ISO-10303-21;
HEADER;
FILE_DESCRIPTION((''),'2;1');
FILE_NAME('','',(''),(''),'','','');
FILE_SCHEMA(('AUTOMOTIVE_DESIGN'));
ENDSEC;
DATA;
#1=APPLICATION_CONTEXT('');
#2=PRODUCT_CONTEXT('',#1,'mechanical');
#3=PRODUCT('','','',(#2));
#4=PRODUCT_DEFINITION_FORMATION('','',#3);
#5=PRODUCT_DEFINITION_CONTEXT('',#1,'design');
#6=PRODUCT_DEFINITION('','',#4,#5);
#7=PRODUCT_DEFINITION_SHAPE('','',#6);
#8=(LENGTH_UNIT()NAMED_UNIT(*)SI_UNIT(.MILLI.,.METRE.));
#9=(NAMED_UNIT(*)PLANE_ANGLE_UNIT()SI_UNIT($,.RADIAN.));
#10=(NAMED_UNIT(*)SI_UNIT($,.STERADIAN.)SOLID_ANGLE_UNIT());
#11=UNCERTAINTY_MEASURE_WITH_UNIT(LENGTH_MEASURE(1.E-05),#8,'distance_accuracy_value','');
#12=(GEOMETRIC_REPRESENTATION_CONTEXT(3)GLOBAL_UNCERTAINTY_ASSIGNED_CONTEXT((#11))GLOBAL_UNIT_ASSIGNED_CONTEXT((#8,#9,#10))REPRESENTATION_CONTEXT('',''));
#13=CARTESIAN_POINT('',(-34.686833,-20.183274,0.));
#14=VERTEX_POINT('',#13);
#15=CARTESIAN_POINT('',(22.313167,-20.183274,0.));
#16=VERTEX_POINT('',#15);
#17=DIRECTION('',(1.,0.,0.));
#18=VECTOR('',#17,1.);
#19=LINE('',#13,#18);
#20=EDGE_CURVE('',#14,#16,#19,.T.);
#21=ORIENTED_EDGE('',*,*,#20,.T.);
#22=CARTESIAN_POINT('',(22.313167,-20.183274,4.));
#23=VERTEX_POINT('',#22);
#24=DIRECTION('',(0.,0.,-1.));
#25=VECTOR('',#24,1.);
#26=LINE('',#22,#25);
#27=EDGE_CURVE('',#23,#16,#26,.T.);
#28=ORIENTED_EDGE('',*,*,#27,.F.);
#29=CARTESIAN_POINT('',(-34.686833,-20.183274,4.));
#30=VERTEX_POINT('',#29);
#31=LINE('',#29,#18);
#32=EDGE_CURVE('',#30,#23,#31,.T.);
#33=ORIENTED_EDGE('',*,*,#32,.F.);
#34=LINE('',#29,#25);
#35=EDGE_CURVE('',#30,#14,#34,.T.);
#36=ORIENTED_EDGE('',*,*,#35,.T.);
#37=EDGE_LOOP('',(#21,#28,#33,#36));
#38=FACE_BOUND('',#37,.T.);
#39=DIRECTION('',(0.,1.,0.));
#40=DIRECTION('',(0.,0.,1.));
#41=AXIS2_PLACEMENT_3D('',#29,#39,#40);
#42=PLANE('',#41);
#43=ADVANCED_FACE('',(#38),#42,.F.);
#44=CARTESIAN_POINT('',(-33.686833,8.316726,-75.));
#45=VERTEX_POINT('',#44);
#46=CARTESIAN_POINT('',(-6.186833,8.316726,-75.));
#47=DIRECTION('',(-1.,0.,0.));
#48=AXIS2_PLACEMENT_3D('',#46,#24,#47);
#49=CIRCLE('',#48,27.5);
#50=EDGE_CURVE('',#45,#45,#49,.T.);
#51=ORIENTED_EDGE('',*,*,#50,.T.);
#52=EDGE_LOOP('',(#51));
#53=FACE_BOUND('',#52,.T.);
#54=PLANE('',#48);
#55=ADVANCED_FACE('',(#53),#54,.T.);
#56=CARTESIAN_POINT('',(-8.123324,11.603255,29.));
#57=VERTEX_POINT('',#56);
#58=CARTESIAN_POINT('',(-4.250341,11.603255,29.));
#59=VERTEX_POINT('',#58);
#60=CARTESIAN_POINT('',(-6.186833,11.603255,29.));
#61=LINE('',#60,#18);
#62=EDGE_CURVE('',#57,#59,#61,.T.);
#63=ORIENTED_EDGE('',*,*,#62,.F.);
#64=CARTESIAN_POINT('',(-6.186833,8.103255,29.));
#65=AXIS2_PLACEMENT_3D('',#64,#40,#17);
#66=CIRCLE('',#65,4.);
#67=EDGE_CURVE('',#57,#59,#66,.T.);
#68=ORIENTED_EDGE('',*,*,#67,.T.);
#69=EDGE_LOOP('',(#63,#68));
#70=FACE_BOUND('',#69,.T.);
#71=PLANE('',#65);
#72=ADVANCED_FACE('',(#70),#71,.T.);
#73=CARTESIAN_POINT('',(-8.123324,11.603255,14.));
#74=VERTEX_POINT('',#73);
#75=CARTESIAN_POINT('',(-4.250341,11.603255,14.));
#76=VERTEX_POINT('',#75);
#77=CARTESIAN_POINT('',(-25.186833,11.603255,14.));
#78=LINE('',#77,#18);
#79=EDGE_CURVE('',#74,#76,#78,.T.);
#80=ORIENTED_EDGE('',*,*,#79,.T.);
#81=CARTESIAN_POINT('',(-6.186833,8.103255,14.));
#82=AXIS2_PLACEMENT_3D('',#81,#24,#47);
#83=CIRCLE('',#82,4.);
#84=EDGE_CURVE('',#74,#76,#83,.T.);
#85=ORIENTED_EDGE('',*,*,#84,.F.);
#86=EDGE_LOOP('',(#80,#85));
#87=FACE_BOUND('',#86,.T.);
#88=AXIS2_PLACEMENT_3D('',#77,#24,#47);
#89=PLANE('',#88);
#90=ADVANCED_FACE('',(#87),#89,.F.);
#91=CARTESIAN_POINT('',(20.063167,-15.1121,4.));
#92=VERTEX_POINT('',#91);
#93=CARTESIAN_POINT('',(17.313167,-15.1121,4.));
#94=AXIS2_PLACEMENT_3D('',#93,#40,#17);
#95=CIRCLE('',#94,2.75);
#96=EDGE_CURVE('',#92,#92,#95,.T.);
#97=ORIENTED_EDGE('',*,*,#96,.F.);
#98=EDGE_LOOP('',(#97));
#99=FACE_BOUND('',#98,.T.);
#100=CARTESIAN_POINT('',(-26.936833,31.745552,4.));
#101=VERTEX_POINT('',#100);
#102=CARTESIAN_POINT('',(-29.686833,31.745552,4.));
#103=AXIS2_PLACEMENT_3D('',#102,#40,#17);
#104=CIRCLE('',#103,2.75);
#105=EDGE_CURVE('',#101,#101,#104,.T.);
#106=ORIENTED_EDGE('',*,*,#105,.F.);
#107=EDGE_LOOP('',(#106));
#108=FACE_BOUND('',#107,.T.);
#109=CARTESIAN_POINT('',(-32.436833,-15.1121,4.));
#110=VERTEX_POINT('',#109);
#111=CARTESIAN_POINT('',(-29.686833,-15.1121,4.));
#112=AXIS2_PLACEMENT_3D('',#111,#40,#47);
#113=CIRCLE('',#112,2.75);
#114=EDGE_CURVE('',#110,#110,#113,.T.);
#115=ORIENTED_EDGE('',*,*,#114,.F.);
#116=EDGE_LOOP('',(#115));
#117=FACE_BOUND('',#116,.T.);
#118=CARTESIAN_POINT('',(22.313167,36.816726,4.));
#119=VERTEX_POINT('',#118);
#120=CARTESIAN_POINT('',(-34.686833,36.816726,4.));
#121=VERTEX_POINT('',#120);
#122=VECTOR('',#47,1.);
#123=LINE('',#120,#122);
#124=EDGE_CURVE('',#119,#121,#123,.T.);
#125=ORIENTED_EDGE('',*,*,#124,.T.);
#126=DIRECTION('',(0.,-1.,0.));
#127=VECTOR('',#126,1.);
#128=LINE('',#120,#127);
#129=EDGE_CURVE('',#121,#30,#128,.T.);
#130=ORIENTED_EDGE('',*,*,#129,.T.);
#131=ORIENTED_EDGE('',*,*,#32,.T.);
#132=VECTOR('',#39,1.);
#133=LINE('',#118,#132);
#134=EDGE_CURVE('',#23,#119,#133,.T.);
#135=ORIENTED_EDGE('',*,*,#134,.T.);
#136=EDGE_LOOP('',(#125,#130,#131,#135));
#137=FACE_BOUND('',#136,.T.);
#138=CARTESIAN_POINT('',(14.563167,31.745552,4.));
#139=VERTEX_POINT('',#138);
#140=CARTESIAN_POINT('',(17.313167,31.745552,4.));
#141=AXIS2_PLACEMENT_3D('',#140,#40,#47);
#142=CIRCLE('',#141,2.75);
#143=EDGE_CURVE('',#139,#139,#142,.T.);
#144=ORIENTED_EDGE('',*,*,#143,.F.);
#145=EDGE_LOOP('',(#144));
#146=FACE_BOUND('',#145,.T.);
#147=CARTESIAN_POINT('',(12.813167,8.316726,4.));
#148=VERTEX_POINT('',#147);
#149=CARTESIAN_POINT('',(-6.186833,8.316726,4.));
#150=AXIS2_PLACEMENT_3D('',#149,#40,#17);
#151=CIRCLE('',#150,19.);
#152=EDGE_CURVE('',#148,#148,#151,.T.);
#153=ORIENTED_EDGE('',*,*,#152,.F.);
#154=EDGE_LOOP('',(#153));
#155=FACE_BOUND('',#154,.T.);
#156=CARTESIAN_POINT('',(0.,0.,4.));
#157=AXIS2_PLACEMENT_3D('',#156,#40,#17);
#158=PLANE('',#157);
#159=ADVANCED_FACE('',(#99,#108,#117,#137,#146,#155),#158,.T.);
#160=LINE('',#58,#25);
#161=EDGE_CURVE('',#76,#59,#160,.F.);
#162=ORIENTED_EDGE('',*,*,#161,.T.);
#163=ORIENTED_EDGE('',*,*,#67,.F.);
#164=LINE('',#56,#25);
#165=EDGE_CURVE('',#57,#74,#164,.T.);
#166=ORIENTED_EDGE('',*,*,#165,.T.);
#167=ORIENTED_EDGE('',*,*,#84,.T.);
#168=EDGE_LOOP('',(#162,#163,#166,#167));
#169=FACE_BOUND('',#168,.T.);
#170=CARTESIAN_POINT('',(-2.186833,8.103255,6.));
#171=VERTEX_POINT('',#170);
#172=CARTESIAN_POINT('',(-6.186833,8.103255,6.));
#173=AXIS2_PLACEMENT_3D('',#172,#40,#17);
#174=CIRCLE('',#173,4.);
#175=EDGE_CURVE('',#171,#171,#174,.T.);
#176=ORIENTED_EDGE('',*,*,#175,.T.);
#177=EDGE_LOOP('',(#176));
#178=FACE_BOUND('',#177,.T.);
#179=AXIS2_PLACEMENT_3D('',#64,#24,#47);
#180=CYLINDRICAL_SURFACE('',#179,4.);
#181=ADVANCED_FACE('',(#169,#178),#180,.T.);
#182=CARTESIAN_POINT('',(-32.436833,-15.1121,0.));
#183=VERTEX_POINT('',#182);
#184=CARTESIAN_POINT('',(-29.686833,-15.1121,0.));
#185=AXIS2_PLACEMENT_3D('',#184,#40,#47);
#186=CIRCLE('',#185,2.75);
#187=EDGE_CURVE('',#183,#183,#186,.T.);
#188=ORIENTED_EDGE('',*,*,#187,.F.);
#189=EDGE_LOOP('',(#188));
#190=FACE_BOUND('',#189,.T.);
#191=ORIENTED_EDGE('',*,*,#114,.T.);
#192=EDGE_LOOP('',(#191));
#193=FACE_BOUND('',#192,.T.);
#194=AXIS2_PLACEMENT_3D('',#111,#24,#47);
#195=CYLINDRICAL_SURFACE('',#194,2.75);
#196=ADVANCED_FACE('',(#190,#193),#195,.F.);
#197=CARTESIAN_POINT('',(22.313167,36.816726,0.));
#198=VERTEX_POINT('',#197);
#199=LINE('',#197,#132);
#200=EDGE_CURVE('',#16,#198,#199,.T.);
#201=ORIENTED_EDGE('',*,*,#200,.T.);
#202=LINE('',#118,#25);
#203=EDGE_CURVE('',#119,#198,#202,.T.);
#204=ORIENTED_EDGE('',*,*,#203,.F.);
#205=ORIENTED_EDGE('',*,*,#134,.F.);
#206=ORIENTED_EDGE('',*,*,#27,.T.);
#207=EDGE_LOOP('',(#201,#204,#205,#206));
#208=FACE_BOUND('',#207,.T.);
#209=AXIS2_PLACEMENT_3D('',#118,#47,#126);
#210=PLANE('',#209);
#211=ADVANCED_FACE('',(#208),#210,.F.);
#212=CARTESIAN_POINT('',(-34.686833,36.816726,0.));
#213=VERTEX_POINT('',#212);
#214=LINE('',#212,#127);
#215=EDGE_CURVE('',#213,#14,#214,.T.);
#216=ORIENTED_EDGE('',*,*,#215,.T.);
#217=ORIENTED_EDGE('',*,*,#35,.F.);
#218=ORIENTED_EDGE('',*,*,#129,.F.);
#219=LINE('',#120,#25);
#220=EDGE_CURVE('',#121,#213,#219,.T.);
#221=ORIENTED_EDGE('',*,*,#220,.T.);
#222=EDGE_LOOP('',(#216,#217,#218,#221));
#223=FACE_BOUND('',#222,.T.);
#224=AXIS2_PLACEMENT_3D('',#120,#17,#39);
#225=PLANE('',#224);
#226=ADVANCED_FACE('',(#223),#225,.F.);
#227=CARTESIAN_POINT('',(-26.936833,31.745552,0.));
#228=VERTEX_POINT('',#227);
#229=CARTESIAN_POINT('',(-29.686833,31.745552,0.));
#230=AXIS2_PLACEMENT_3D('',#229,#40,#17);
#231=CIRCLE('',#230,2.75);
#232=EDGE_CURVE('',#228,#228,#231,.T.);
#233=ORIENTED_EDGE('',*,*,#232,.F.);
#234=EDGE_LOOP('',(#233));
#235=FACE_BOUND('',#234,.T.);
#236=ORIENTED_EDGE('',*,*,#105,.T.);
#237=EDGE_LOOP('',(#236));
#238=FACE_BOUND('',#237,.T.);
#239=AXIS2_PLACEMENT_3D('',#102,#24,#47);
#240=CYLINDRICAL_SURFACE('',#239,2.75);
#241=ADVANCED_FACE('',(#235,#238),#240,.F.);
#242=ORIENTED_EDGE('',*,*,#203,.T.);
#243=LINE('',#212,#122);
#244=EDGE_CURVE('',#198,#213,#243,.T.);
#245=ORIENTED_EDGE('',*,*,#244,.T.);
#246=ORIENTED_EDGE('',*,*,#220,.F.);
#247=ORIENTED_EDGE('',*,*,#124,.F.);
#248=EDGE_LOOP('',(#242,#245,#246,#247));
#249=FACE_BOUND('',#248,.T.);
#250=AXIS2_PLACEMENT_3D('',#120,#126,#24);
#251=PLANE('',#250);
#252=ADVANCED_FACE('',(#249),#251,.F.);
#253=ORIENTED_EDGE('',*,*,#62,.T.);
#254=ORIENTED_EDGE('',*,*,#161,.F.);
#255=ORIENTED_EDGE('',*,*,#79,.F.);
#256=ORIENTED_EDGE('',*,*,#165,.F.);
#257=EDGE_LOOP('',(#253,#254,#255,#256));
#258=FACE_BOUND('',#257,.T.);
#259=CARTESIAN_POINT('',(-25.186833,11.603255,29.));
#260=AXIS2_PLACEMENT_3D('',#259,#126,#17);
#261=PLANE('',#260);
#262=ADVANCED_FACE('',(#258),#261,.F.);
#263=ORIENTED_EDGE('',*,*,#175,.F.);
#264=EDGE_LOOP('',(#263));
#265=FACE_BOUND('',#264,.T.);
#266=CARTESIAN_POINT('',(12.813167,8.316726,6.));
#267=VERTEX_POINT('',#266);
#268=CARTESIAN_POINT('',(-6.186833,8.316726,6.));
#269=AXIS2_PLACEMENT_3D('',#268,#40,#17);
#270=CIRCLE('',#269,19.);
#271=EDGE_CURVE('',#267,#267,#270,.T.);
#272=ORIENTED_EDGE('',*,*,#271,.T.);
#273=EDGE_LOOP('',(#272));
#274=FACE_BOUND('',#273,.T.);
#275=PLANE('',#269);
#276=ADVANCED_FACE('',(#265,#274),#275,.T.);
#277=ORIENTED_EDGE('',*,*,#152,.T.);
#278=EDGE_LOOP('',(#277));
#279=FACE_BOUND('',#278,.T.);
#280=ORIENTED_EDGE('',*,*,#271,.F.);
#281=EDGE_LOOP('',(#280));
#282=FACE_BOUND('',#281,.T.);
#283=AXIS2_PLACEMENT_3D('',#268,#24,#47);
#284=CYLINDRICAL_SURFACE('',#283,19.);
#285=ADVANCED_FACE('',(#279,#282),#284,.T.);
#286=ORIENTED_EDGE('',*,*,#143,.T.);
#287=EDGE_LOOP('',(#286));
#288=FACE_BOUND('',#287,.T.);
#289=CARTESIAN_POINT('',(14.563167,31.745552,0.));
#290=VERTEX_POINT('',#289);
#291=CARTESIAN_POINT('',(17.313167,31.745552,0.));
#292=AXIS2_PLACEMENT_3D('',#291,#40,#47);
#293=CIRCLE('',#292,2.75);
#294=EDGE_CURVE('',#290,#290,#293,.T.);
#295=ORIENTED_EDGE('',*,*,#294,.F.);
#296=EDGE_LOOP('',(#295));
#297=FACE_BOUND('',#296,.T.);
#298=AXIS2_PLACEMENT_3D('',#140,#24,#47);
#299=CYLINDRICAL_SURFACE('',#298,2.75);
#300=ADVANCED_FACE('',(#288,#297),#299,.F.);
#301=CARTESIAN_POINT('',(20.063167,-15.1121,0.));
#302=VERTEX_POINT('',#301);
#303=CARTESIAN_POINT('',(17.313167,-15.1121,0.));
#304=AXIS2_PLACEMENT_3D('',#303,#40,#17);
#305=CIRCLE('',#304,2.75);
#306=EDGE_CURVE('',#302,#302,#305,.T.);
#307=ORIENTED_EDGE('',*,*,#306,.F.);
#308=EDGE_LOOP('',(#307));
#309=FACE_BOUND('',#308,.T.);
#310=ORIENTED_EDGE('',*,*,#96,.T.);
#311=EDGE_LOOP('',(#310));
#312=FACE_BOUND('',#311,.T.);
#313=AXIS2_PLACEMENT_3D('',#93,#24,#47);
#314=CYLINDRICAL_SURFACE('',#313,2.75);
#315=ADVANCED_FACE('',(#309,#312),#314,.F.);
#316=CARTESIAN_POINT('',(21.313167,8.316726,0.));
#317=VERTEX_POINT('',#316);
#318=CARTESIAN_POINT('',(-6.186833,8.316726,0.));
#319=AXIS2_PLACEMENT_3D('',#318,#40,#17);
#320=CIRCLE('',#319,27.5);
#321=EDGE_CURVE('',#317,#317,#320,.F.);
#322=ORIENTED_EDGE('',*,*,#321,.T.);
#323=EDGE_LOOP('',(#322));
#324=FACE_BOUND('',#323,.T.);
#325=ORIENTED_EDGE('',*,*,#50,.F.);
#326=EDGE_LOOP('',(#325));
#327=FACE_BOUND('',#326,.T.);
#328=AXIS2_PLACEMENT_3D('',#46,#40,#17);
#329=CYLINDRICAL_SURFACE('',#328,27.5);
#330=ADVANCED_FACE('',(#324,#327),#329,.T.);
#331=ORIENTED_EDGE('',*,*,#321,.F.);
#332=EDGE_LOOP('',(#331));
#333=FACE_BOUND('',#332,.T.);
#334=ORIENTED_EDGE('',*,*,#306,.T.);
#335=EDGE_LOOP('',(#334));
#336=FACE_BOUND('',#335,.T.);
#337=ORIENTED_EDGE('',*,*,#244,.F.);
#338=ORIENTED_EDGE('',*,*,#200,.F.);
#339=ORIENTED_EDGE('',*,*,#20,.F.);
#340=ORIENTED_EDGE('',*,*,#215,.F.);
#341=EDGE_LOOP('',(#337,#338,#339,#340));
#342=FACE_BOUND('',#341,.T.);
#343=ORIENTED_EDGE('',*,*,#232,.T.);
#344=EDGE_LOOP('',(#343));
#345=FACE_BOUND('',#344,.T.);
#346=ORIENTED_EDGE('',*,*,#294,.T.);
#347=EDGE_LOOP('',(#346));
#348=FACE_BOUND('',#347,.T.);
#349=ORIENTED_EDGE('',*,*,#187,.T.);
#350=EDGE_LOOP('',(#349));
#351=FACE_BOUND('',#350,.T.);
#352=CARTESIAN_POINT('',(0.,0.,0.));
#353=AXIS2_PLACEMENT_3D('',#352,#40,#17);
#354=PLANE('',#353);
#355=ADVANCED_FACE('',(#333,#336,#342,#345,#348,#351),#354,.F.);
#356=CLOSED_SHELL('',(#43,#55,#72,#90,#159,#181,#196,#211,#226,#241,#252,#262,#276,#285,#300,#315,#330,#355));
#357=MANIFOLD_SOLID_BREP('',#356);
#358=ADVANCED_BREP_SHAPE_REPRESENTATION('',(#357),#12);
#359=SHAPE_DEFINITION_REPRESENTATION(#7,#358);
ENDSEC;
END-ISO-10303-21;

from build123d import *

# Parameters (mm, degrees)
SKETCH_1_W          = 57
SKETCH_1_H          = 57
SKETCH_1_R          = 2.75
EXTRUDE_1_DEPTH     = 4
SKETCH_2_R          = 27.5
EXTRUDE_2_DEPTH     = 75
SKETCH_3_R          = 19
EXTRUDE_3_DEPTH     = 2
SKETCH_4_R          = 4
EXTRUDE_4_DEPTH     = 23
SKETCH_5_W          = 15
SKETCH_5_H          = 0.5
CUT_EXTRUDE_1_DEPTH = 23


with BuildPart() as part:
    # 草图1 → 凸台-拉伸1 (new body)
    with BuildSketch(Plane.XY):
        with Locations((-6.18683274, 8.316725979)):
            Rectangle(SKETCH_1_W, SKETCH_1_H)
        with Locations((-29.68683274, 31.745551601)):
            Circle(SKETCH_1_R, mode=Mode.SUBTRACT)
        with Locations(Location((17.31316726, 31.745551601, 0), (0, 0, 180))):
            Circle(SKETCH_1_R, mode=Mode.SUBTRACT)
        with Locations((17.31316726, -15.112099644)):
            Circle(SKETCH_1_R, mode=Mode.SUBTRACT)
        with Locations(Location((-29.68683274, -15.112099644, 0), (0, 0, 180))):
            Circle(SKETCH_1_R, mode=Mode.SUBTRACT)
    extrude(amount=EXTRUDE_1_DEPTH)

    # 草图2 → 凸台-拉伸2 (add)
    with BuildSketch(Plane(origin=(0, 0, 0), x_dir=(-1, 0, 0), z_dir=(0, 0, -1))):
        with Locations(Location((6.18683274, 8.316725979, 0), (0, 0, 180))):
            Circle(SKETCH_2_R)
    extrude(amount=EXTRUDE_2_DEPTH)

    # 草图3 → 凸台-拉伸3 (add)
    with BuildSketch(Plane.XY.offset(4)):
        with Locations((-6.18683274, 8.316725979)):
            Circle(SKETCH_3_R)
    extrude(amount=EXTRUDE_3_DEPTH)

    # 草图4 → 凸台-拉伸4 (add)
    with BuildSketch(Plane.XY.offset(6)):
        with Locations((-6.18683274, 8.10325499)):
            Circle(SKETCH_4_R)
    extrude(amount=EXTRUDE_4_DEPTH)

    # 草图5 → 切除-拉伸1 (cut)
    with BuildSketch(Plane(origin=(-2.18683274, 0, 0), x_dir=(0, 0, -1), z_dir=(1, 0, 0))):
        with Locations((-21.5, 11.85325499)):
            Rectangle(SKETCH_5_W, SKETCH_5_H)
    extrude(amount=-CUT_EXTRUDE_1_DEPTH, mode=Mode.SUBTRACT)


solid = part.part
